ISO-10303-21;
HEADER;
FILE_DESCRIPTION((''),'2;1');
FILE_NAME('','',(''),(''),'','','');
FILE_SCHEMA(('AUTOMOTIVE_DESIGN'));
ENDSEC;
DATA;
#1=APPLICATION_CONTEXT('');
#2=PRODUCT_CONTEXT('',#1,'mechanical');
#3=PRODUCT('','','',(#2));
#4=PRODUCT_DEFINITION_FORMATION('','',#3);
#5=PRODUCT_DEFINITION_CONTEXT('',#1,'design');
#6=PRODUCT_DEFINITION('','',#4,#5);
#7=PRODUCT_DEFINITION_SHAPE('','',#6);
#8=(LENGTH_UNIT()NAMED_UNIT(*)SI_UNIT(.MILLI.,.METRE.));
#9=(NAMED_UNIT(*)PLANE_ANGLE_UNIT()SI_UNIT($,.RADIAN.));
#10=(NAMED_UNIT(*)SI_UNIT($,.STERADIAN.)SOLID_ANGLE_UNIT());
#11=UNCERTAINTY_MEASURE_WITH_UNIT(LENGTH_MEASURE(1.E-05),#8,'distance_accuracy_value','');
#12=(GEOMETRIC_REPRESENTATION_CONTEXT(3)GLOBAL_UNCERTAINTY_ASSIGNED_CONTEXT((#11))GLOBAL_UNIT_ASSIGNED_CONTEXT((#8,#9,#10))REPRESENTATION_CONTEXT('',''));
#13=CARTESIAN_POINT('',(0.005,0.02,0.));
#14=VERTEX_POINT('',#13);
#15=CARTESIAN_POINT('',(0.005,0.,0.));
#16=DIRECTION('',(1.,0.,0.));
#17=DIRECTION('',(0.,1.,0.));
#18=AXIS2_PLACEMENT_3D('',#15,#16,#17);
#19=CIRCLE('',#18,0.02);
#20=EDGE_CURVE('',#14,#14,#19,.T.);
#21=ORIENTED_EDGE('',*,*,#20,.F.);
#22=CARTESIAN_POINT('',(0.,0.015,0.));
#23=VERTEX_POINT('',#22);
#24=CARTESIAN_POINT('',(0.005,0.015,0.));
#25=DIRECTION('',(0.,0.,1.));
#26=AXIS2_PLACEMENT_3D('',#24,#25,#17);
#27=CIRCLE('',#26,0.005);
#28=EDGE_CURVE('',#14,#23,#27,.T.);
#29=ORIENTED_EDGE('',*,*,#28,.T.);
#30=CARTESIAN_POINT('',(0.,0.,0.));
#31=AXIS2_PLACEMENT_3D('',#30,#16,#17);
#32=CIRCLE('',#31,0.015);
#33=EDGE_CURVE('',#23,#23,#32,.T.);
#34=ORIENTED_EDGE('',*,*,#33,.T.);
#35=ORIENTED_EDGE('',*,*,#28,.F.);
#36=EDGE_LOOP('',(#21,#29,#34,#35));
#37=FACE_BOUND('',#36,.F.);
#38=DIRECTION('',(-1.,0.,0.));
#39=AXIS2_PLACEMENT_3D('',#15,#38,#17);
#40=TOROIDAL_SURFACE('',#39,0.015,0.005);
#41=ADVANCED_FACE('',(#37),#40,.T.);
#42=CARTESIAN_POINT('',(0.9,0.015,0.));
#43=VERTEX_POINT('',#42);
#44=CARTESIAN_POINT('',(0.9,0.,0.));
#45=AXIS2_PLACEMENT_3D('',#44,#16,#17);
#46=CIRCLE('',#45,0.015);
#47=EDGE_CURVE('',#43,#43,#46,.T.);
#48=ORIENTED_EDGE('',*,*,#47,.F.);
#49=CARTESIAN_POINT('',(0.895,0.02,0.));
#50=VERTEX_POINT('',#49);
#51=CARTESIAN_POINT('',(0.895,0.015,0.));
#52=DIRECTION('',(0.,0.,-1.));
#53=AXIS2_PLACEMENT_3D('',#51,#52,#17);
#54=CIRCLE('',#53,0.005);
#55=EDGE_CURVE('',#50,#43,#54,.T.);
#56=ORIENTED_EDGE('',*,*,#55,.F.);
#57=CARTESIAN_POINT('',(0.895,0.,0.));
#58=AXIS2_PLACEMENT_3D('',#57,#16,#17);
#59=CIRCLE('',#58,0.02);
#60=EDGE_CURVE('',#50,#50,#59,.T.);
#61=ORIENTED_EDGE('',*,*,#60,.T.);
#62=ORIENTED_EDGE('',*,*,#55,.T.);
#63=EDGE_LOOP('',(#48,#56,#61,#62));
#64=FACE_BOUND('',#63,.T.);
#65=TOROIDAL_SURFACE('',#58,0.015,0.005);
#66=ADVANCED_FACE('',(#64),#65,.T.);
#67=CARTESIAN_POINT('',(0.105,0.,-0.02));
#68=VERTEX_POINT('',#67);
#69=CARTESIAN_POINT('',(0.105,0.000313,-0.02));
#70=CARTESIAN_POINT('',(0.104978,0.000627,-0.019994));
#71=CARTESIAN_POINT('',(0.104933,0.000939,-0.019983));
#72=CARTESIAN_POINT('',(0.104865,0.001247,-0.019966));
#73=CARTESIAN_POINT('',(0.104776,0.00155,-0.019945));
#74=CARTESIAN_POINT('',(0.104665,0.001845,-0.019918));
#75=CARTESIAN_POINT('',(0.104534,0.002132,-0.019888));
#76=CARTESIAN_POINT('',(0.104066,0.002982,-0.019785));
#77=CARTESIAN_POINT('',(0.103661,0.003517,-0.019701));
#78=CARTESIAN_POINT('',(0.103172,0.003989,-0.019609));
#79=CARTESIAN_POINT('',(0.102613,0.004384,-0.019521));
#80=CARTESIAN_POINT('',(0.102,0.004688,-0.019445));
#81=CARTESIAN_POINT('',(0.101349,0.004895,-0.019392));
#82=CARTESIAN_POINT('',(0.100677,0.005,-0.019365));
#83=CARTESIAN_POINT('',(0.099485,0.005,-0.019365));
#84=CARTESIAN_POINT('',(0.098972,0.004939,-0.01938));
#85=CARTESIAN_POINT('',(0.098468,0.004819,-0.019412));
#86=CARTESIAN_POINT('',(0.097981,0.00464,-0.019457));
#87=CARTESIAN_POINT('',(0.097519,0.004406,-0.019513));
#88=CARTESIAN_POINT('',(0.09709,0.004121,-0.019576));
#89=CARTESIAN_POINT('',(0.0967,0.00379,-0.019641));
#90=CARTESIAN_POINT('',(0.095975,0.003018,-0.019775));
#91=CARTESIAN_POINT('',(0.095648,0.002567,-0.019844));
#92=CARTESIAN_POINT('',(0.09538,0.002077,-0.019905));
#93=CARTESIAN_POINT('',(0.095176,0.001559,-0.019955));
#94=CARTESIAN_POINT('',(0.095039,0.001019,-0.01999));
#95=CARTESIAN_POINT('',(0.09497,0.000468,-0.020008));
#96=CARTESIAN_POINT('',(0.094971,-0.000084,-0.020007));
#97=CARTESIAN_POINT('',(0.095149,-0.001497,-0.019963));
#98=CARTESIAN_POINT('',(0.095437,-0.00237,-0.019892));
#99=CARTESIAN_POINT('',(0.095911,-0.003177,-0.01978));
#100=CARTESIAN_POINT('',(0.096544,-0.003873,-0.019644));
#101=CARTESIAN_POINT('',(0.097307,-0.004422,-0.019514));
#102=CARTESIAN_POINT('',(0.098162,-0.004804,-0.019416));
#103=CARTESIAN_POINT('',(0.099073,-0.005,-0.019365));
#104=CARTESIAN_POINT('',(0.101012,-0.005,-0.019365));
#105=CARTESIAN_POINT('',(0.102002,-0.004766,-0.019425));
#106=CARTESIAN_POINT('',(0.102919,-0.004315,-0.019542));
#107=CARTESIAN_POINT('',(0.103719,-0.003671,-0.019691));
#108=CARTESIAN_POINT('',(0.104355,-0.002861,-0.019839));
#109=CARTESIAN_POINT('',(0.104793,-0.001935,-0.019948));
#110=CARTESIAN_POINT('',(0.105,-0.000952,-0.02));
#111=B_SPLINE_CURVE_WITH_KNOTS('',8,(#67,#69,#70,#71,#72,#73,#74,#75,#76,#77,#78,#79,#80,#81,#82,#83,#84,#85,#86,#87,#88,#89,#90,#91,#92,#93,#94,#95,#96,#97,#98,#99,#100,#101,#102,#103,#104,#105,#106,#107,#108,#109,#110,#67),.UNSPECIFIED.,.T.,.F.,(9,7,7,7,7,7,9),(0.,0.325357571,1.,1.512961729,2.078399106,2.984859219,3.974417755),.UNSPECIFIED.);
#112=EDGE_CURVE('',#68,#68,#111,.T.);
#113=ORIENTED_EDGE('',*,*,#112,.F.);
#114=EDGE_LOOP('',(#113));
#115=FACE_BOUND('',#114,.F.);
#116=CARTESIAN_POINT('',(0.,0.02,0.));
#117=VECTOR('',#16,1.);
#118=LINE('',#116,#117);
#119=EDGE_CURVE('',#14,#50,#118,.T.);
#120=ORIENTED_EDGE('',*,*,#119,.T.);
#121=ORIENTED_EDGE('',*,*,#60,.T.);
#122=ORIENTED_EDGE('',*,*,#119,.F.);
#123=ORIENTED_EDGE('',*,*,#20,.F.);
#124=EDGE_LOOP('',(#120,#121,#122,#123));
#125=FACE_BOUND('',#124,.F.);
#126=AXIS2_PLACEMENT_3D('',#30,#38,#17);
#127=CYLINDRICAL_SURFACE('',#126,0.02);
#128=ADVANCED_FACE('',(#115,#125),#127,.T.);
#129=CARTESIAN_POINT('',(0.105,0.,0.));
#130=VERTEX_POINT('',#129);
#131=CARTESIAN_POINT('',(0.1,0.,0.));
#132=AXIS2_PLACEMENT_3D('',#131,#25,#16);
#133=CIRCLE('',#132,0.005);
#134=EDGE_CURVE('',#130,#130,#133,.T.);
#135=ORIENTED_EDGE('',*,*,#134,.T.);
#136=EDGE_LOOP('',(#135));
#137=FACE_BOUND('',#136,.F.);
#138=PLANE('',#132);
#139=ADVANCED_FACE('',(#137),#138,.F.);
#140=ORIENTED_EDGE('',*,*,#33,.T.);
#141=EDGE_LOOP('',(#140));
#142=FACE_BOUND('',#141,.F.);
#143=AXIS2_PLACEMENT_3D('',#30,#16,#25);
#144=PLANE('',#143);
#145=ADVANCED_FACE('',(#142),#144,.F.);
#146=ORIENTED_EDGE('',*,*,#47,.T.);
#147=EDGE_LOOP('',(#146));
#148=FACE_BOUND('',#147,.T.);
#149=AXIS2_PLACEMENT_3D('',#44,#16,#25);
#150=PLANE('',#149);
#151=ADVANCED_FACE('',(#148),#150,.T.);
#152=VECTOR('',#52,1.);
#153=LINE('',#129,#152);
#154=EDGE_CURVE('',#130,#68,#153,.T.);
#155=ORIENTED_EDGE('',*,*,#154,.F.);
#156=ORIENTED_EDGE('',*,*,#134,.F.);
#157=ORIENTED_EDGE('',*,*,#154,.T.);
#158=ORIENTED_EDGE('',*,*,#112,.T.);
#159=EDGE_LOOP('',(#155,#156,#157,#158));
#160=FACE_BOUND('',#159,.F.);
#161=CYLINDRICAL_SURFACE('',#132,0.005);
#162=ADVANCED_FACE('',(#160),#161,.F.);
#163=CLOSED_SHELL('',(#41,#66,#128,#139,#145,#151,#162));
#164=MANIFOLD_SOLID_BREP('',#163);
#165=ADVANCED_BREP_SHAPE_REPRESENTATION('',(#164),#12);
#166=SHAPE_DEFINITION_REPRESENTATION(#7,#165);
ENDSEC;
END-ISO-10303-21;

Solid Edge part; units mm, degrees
sketch "Sketch1" plane through (0, 0, 0) normal (1, 0, 0) x (0, 1, 0)
  circle A0 centre (0, 0) radius 0.02
  dimension "D1" = 0.04
extrude "Protrusion1" add sketch "Sketch1" along normal blind 0.9
fillet "Verrundung_1" radius 0.005 2 edges at (0, -0.02, 0) (0.9, -0.02, 0)
sketch "Sketch2" plane through (0, 0, 0) normal (0, 0, 1) x (1, 0, 0)
  circle A0 centre (0.1, 0) radius 0.005
  dimension "D1" = 0.1
  dimension "D2" = 0.01
extrude "Cutout1" cut sketch "Sketch2" against normal through all
